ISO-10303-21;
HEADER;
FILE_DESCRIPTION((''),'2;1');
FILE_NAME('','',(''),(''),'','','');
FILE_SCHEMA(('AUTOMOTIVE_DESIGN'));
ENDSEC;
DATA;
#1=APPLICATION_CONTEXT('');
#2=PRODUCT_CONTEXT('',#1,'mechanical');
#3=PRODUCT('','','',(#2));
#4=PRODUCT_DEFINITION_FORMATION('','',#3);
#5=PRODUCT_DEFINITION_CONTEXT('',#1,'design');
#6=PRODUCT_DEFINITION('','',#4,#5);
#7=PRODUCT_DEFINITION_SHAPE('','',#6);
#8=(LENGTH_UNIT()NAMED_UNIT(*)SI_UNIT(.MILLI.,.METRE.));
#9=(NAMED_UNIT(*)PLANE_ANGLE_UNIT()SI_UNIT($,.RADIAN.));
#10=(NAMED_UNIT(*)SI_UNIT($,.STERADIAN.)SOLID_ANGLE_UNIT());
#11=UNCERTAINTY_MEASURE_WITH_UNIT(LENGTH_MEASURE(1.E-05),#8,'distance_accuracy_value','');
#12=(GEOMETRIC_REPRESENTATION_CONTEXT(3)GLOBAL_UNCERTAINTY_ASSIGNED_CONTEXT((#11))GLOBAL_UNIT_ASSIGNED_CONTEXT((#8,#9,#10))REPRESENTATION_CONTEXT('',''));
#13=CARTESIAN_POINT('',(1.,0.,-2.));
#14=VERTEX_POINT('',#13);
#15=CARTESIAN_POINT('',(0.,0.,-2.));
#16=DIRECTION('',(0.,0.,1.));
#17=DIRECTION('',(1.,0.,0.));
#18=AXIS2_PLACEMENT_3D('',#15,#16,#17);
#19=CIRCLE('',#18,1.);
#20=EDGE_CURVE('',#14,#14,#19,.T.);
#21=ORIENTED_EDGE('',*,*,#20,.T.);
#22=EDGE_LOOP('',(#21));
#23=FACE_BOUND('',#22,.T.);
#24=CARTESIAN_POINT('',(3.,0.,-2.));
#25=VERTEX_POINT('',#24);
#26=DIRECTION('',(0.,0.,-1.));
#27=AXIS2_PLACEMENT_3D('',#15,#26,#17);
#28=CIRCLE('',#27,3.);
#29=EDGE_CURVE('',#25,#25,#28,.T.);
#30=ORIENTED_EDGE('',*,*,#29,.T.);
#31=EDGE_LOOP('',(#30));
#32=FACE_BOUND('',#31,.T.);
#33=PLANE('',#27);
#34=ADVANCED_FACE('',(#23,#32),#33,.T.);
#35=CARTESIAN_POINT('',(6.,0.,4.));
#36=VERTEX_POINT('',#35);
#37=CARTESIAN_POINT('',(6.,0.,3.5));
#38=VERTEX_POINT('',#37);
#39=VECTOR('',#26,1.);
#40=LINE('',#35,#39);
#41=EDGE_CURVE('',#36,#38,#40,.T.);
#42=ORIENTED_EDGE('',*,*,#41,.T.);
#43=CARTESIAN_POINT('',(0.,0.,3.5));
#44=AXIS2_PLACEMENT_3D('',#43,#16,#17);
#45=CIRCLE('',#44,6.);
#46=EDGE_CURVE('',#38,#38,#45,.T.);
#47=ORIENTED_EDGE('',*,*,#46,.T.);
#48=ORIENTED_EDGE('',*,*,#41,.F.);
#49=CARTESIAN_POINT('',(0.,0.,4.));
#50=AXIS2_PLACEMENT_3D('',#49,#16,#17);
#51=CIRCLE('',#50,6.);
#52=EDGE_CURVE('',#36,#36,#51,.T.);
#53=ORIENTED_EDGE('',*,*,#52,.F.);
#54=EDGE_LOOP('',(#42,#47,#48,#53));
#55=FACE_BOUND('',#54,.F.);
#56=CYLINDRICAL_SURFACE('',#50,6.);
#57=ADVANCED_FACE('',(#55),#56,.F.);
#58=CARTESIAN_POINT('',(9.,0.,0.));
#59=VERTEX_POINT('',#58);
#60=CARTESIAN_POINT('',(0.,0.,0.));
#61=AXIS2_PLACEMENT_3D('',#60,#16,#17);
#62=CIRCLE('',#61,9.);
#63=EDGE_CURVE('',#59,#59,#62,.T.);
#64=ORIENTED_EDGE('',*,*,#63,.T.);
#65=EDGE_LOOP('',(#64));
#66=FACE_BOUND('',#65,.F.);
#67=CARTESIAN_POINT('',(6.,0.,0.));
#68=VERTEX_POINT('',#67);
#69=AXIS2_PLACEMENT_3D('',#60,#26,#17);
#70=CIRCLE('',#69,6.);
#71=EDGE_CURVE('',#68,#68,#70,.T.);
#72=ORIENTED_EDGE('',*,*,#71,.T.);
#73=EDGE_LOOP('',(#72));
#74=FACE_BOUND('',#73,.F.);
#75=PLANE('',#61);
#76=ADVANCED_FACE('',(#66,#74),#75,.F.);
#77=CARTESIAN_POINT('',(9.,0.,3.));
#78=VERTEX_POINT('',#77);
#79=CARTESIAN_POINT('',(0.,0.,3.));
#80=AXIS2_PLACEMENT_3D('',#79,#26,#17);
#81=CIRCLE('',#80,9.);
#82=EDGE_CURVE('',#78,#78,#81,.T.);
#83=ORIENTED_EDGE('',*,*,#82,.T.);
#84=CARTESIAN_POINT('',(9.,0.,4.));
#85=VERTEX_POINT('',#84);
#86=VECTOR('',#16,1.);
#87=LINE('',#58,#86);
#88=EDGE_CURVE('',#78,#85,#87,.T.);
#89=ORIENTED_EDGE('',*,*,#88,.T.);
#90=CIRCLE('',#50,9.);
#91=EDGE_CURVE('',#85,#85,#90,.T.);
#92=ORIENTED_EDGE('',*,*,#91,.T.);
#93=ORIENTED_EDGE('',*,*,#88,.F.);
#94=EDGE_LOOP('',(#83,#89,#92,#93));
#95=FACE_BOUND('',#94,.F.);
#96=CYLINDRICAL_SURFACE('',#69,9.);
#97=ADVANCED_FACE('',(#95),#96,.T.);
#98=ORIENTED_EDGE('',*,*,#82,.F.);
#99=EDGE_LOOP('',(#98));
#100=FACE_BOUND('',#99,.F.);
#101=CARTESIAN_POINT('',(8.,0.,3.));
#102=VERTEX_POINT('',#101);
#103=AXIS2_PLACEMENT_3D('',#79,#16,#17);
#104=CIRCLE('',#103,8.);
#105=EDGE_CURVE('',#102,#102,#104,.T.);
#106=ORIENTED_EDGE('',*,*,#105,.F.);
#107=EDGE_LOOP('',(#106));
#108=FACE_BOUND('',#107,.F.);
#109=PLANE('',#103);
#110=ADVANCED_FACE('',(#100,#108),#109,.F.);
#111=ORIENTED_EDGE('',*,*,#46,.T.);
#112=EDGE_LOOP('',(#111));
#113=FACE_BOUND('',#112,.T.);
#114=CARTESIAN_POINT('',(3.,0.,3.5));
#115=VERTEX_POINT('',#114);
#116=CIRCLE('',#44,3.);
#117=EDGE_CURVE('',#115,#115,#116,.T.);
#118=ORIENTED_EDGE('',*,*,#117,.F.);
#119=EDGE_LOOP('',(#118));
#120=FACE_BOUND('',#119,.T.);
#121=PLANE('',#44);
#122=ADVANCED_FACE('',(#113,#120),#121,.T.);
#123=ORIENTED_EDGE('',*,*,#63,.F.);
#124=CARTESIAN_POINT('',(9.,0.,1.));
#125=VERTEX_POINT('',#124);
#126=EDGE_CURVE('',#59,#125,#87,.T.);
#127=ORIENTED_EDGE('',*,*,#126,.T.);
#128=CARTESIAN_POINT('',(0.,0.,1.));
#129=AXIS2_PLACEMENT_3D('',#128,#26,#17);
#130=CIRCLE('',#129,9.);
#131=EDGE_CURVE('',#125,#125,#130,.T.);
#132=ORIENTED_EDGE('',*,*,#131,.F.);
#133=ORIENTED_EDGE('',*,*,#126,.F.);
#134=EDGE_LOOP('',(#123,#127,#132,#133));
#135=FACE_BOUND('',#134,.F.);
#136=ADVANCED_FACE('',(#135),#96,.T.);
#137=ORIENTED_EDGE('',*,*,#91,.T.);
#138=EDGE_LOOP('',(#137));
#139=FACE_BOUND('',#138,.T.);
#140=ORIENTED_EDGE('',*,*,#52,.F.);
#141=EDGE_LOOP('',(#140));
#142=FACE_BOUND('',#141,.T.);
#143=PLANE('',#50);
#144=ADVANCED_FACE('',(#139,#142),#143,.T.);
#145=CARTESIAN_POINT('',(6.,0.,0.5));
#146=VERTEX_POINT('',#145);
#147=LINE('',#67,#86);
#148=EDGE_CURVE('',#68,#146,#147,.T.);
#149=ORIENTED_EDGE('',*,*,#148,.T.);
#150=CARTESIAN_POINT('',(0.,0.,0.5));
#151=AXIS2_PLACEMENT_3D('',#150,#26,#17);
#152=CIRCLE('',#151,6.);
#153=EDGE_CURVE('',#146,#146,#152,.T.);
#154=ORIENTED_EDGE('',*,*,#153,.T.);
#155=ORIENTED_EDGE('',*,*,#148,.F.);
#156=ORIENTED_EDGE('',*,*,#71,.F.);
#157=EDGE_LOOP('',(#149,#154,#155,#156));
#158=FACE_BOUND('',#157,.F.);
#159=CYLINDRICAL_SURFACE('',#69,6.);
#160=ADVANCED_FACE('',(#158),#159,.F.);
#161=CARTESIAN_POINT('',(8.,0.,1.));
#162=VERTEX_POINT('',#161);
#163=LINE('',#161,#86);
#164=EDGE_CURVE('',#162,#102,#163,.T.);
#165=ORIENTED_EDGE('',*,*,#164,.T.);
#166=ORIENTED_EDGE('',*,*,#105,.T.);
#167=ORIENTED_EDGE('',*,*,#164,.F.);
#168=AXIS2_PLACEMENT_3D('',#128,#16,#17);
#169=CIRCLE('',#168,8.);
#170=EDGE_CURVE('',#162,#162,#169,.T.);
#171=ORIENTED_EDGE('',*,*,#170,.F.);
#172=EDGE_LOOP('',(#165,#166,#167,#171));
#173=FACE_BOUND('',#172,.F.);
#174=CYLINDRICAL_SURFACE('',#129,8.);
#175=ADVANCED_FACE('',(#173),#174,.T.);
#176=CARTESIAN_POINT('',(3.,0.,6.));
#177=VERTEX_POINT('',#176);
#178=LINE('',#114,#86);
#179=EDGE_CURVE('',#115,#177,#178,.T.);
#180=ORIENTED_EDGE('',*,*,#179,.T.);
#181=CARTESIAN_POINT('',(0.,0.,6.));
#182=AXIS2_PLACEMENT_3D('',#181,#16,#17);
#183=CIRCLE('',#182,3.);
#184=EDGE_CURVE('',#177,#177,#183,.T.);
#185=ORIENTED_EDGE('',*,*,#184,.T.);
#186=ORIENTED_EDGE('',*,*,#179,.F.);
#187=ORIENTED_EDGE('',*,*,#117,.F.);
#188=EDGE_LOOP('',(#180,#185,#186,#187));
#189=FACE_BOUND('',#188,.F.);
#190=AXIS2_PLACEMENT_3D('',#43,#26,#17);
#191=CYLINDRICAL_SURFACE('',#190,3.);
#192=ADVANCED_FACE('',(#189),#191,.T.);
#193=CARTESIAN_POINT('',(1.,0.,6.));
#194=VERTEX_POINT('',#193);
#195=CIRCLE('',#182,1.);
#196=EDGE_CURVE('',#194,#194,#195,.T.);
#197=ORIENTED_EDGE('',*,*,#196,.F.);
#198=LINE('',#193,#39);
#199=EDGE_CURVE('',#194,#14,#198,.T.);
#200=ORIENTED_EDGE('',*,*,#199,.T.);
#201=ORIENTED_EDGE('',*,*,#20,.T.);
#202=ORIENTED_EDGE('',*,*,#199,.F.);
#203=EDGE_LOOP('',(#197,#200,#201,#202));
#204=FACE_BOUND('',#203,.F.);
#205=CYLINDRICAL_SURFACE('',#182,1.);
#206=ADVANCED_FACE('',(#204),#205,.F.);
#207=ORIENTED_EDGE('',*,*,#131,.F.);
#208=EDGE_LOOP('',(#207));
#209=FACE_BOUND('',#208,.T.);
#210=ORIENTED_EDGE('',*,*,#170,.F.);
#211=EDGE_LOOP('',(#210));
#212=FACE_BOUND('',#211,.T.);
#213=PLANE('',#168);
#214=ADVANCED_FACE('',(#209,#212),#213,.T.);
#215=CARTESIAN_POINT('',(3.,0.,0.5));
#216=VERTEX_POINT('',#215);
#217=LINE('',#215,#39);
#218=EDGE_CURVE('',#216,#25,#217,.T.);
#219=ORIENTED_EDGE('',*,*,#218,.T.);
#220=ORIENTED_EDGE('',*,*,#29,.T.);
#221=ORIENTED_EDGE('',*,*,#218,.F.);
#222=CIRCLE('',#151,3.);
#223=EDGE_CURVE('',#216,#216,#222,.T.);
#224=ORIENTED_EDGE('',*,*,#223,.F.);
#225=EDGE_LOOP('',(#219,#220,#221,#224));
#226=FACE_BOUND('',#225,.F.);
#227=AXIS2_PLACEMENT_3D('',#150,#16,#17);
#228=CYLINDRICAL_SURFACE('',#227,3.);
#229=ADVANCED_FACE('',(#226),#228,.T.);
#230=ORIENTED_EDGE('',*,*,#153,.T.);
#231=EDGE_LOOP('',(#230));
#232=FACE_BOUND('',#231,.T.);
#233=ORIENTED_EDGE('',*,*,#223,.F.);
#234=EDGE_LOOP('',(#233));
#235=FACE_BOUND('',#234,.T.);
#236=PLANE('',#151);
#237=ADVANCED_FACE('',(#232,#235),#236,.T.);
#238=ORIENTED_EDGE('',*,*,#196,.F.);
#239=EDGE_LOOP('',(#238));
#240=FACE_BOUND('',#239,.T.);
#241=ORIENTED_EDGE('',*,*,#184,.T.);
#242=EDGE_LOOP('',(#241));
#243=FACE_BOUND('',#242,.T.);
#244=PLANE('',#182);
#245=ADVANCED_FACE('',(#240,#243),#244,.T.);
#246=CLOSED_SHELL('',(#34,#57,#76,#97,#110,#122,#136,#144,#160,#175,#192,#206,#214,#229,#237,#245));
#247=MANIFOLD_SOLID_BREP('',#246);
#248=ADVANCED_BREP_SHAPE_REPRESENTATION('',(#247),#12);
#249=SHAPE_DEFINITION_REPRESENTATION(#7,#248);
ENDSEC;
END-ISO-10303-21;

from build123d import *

# Parameters (mm, degrees)
F0_R      = 9
F1_DEPTH  = 4
F2_R      = 6
F3_DEPTH  = 0.5
F4_R      = 6
F5_DEPTH  = 0.5
F6_R      = 3
F7_DEPTH  = 2.5
F8_R      = 3
F9_DEPTH  = 2.5
F10_R     = 1
F11_DEPTH = 25
F13_R     = 15.851527
F13_R_2   = 8
F14_DEPTH = 2


with BuildPart() as f1:
    # F0 (on Top) → F1 (new body)
    with BuildSketch(Plane.XY):
        Circle(F0_R)
    extrude(amount=F1_DEPTH)

    # F2 (on face) → F3 (cut)
    with BuildSketch(Plane(origin=(0, 0, 0), x_dir=(1, 0, 0), z_dir=(0, 0, -1))):
        Circle(F2_R)
    extrude(amount=-F3_DEPTH, mode=Mode.SUBTRACT)

    # F4 (on face) → F5 (cut)
    with BuildSketch(Plane.XY.offset(4)):
        Circle(F4_R)
    extrude(amount=-F5_DEPTH, mode=Mode.SUBTRACT)

    # F6 (on face) → F7 (join)
    with BuildSketch(Plane(origin=(0, 0, 0.5), x_dir=(1, 0, 0), z_dir=(0, 0, -1))):
        Circle(F6_R)
    extrude(amount=F7_DEPTH)

    # F8 (on face) → F9 (join)
    with BuildSketch(Plane.XY.offset(3.5)):
        Circle(F8_R)
    extrude(amount=F9_DEPTH)

    # F10 (on face) → F11 (cut)
    with BuildSketch(Plane.XY.offset(6)):
        Circle(F10_R)
    extrude(amount=-F11_DEPTH, mode=Mode.SUBTRACT)

    # F13 (on offset) → F14 (cut)
    with BuildSketch(Plane.XY.offset(1)):
        Circle(F13_R)
        Circle(F13_R_2, mode=Mode.SUBTRACT)
    extrude(amount=F14_DEPTH, mode=Mode.SUBTRACT)


solid = f1.part
